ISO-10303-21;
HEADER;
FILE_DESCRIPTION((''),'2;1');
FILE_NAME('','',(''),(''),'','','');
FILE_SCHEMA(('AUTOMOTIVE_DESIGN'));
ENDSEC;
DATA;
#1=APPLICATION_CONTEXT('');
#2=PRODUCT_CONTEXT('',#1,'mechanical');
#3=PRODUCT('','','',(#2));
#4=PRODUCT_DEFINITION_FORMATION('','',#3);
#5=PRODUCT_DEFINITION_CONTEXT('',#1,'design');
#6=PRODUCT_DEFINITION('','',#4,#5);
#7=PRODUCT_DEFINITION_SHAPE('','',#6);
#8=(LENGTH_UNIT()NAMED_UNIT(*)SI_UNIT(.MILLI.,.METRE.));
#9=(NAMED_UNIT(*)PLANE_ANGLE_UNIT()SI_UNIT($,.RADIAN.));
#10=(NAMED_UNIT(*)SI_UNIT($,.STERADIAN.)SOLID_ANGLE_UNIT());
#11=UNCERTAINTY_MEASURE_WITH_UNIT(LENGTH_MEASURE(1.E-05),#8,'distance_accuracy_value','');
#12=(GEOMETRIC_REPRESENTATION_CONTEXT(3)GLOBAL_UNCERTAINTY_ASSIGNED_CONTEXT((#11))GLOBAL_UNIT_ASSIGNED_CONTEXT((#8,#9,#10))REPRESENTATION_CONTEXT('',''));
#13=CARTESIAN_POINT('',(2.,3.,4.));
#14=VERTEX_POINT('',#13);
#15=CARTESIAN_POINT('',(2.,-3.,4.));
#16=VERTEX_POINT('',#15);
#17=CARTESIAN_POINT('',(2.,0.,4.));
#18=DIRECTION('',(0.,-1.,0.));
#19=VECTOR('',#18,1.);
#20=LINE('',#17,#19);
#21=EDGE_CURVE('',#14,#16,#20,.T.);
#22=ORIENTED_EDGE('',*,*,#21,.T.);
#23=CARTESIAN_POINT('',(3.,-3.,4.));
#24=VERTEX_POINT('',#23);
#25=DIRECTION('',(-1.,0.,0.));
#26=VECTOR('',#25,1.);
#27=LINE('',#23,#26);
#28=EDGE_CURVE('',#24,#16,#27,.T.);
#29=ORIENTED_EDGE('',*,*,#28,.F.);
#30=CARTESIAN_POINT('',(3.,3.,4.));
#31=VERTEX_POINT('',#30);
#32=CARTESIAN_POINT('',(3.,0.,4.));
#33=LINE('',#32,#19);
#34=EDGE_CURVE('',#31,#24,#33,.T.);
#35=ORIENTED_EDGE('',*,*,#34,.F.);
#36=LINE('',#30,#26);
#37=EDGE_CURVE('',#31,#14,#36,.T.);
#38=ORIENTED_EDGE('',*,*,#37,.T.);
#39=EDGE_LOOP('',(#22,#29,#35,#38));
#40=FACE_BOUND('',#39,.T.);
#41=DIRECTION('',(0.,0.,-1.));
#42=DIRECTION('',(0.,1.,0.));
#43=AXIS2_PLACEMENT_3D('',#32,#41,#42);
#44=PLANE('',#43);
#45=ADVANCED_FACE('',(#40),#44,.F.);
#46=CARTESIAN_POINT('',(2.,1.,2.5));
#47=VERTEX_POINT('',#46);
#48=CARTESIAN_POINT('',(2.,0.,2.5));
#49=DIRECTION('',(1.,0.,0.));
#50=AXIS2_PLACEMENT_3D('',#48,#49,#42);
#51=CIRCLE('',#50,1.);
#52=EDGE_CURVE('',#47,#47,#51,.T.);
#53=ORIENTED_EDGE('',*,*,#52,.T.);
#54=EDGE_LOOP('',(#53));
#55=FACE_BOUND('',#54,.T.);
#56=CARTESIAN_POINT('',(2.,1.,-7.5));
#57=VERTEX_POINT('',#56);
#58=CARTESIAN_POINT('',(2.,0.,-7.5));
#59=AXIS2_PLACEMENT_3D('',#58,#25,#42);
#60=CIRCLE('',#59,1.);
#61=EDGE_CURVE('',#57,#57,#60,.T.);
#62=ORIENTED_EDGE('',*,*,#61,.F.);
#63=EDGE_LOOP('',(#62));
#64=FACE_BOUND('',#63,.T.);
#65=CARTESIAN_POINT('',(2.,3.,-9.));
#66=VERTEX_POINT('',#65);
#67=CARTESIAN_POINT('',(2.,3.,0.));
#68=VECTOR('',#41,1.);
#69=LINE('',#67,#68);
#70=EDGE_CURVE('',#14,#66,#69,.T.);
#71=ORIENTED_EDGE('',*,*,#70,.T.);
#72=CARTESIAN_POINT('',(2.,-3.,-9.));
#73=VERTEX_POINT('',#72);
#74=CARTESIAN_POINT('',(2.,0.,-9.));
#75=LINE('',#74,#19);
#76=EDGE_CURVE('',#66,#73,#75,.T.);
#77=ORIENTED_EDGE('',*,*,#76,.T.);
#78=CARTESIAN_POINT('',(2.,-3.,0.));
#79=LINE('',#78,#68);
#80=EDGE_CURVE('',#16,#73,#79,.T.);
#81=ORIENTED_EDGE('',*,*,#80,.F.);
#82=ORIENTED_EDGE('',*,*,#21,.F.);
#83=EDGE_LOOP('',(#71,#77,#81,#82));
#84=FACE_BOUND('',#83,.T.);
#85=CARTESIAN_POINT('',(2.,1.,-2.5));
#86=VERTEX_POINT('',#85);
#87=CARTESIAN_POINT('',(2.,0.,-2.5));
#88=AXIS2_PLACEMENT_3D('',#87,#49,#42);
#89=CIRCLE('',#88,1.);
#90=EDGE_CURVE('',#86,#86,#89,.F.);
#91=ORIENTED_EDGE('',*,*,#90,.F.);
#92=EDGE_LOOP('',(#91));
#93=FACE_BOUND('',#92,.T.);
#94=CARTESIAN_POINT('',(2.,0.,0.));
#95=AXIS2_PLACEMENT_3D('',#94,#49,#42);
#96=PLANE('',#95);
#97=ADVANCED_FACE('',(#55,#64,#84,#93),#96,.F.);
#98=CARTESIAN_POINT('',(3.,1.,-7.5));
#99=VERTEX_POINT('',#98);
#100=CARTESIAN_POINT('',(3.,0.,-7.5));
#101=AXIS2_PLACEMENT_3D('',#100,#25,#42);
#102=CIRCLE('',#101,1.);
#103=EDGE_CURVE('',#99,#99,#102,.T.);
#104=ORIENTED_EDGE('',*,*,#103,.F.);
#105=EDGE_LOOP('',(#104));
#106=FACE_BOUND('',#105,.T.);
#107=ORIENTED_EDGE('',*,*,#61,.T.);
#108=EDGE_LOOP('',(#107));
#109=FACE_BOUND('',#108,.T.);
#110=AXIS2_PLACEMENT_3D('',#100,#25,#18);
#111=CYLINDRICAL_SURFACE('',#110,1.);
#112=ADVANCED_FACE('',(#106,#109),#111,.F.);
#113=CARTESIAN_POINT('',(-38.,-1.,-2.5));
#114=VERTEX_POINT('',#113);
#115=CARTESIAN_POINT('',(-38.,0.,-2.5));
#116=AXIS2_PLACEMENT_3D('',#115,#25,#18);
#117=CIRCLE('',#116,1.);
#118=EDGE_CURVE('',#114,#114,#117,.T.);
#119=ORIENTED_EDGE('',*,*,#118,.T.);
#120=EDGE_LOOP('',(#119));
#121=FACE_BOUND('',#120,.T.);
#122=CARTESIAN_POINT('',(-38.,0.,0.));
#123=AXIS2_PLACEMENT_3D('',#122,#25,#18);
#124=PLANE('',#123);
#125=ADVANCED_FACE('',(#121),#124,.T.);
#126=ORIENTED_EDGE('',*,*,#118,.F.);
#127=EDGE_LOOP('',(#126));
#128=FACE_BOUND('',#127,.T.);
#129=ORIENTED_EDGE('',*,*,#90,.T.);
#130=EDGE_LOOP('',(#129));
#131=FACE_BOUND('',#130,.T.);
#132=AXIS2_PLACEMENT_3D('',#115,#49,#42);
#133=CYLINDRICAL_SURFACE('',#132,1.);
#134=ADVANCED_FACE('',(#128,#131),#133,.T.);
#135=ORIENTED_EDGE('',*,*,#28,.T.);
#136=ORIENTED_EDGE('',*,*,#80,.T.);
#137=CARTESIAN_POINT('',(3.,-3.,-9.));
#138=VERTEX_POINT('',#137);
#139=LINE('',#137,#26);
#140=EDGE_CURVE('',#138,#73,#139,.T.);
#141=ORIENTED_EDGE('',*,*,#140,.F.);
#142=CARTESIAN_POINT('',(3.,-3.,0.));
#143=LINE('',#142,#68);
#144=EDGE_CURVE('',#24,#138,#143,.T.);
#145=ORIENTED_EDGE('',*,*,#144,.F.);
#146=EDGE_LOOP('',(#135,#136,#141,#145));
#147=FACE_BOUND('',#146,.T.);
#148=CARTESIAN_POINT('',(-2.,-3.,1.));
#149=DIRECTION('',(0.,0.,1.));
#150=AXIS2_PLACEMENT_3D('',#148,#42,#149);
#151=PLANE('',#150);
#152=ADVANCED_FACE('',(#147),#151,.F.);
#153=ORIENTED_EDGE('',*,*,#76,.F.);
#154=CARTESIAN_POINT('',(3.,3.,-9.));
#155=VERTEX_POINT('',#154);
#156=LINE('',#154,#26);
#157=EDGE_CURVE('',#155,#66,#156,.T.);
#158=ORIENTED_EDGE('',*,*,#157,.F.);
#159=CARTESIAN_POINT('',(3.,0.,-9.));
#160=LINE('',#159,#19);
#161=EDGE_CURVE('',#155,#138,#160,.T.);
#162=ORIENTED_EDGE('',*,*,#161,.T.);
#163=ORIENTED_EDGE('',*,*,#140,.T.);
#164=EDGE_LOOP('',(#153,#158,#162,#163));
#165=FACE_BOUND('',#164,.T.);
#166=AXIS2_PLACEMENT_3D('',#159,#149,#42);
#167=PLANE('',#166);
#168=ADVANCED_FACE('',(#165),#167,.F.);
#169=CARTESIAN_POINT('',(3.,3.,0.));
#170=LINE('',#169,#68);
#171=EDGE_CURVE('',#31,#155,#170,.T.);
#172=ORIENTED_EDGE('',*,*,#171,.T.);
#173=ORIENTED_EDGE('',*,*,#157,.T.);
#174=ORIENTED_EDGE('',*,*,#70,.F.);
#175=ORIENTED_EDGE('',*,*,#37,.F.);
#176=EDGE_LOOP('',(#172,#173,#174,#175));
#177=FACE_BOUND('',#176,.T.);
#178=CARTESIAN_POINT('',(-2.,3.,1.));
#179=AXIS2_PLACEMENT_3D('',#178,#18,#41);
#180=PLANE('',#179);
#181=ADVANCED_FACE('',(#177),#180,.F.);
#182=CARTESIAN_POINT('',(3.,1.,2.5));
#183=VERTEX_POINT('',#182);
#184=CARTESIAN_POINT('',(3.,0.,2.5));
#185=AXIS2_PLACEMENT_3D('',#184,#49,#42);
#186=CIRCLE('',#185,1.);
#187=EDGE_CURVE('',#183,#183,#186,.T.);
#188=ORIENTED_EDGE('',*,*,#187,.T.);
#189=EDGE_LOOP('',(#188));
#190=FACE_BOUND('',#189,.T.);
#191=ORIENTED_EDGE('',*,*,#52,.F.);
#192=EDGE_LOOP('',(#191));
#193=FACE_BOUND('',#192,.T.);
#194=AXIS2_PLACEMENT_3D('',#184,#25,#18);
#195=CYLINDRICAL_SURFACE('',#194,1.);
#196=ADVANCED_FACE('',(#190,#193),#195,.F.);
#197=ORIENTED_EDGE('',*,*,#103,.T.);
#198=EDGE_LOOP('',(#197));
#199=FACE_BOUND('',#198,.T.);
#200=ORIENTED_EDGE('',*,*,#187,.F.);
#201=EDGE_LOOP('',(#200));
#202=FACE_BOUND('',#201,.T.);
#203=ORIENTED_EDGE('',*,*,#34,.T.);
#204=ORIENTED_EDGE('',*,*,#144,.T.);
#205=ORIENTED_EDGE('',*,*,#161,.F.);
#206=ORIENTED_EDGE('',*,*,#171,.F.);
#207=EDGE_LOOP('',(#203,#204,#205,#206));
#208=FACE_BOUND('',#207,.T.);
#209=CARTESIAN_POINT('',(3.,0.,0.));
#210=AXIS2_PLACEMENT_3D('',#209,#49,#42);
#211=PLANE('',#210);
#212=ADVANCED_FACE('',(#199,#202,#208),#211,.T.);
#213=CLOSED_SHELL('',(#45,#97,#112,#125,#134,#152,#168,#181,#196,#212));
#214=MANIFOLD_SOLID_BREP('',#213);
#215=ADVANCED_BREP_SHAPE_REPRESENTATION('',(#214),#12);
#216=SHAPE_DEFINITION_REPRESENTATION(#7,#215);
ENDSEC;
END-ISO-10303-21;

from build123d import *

# Parameters (mm, degrees)
SKETCH_1_W          = 4
SKETCH_1_H          = 6
SKETCH_1_R          = 1
EXTRUDE_1_DEPTH     = 1
SKETCH_2_W          = 3
SKETCH_2_H          = 6
SKETCH_2_R          = 1
SKETCH_2_W_2        = 3.5
EXTRUDE_2_DEPTH     = 1
FILLET_1_R          = 1
SKETCH_3_W          = 8.324991738
SKETCH_3_H          = 7.604036572
CUT_EXTRUDE_1_DEPTH = 10
EXTRUDE_3_DEPTH     = 40


with BuildPart() as part:
    # 草图1 → 凸台-拉伸1 (new body)
    with BuildSketch(Plane.XY):
        Rectangle(SKETCH_1_W, SKETCH_1_H)
        Circle(SKETCH_1_R, mode=Mode.SUBTRACT)
    extrude(amount=EXTRUDE_1_DEPTH)

    # 草图2 → 凸台-拉伸2 (add)
    # profile 1 of 2: a face of its own
    with BuildSketch(Plane(origin=(2, 0, 0), x_dir=(0, 0, -1), z_dir=(1, 0, 0))):
        with Locations((-2.5, 0)):
            Rectangle(SKETCH_2_W, SKETCH_2_H)
        with Locations(Location((-2.5, 0, 0), (0, 0, 90))):
            Circle(SKETCH_2_R, mode=Mode.SUBTRACT)
    # profile 2 of 2: a face of its own
    with BuildSketch(Plane(origin=(2, 0, 0), x_dir=(0, 0, -1), z_dir=(1, 0, 0))):
        with Locations((0.75, 0)):
            Rectangle(SKETCH_2_W_2, SKETCH_2_H)
    extrude(amount=EXTRUDE_2_DEPTH)

    # 圆角1
    fillet_1_edges = [part.edges().sort_by_distance(p)[0] for p in [
        (-2, -3, 0.5),
        (-2, 3, 0.5),
    ]]
    fillet(fillet_1_edges, radius=FILLET_1_R)

    # 镜向1: part across plane


with BuildPart() as part_1:
    add(part.part)
    add(part.part.mirror(Plane(origin=(3, 0, -2.5), x_dir=(1, 0, 0), z_dir=(0, 0, 1))))

    # 草图3 → 切除-拉伸1 (cut)
    with BuildSketch(Plane.ZY.offset(-2)):
        with Locations((-2.5, 0)):
            Rectangle(SKETCH_3_W, SKETCH_3_H)
    extrude(amount=CUT_EXTRUDE_1_DEPTH, mode=Mode.SUBTRACT)

    # 草图4 → 凸台-拉伸3 (add)
    with BuildSketch(Plane.ZY.offset(-2)):
        with BuildLine():
            ThreePointArc((-1.5, 0), (-1.792893219, 0.707106781), (-2.5, 1))
            Line((-2.5, 1), (-2.5, 0))
            Line((-2.5, 0), (-1.5, 0))
        make_face()
        with BuildLine():
            Line((-2.5, 0), (-2.5, 1))
            ThreePointArc((-2.5, 1), (-3.207106781, 0.707106781), (-3.5, 0))
            Line((-3.5, 0), (-2.5, 0))
        make_face()
        with BuildLine():
            Line((-1.5, 0), (-2.5, 0))
            Line((-2.5, 0), (-2.5, -1))
            ThreePointArc((-2.5, -1), (-1.792893219, -0.707106781), (-1.5, 0))
        make_face()
        with BuildLine():
            Line((-2.5, -1), (-2.5, 0))
            Line((-2.5, 0), (-3.5, 0))
            ThreePointArc((-3.5, 0), (-3.207106781, -0.707106781), (-2.5, -1))
        make_face()
    extrude(amount=EXTRUDE_3_DEPTH)


solid = part_1.part
